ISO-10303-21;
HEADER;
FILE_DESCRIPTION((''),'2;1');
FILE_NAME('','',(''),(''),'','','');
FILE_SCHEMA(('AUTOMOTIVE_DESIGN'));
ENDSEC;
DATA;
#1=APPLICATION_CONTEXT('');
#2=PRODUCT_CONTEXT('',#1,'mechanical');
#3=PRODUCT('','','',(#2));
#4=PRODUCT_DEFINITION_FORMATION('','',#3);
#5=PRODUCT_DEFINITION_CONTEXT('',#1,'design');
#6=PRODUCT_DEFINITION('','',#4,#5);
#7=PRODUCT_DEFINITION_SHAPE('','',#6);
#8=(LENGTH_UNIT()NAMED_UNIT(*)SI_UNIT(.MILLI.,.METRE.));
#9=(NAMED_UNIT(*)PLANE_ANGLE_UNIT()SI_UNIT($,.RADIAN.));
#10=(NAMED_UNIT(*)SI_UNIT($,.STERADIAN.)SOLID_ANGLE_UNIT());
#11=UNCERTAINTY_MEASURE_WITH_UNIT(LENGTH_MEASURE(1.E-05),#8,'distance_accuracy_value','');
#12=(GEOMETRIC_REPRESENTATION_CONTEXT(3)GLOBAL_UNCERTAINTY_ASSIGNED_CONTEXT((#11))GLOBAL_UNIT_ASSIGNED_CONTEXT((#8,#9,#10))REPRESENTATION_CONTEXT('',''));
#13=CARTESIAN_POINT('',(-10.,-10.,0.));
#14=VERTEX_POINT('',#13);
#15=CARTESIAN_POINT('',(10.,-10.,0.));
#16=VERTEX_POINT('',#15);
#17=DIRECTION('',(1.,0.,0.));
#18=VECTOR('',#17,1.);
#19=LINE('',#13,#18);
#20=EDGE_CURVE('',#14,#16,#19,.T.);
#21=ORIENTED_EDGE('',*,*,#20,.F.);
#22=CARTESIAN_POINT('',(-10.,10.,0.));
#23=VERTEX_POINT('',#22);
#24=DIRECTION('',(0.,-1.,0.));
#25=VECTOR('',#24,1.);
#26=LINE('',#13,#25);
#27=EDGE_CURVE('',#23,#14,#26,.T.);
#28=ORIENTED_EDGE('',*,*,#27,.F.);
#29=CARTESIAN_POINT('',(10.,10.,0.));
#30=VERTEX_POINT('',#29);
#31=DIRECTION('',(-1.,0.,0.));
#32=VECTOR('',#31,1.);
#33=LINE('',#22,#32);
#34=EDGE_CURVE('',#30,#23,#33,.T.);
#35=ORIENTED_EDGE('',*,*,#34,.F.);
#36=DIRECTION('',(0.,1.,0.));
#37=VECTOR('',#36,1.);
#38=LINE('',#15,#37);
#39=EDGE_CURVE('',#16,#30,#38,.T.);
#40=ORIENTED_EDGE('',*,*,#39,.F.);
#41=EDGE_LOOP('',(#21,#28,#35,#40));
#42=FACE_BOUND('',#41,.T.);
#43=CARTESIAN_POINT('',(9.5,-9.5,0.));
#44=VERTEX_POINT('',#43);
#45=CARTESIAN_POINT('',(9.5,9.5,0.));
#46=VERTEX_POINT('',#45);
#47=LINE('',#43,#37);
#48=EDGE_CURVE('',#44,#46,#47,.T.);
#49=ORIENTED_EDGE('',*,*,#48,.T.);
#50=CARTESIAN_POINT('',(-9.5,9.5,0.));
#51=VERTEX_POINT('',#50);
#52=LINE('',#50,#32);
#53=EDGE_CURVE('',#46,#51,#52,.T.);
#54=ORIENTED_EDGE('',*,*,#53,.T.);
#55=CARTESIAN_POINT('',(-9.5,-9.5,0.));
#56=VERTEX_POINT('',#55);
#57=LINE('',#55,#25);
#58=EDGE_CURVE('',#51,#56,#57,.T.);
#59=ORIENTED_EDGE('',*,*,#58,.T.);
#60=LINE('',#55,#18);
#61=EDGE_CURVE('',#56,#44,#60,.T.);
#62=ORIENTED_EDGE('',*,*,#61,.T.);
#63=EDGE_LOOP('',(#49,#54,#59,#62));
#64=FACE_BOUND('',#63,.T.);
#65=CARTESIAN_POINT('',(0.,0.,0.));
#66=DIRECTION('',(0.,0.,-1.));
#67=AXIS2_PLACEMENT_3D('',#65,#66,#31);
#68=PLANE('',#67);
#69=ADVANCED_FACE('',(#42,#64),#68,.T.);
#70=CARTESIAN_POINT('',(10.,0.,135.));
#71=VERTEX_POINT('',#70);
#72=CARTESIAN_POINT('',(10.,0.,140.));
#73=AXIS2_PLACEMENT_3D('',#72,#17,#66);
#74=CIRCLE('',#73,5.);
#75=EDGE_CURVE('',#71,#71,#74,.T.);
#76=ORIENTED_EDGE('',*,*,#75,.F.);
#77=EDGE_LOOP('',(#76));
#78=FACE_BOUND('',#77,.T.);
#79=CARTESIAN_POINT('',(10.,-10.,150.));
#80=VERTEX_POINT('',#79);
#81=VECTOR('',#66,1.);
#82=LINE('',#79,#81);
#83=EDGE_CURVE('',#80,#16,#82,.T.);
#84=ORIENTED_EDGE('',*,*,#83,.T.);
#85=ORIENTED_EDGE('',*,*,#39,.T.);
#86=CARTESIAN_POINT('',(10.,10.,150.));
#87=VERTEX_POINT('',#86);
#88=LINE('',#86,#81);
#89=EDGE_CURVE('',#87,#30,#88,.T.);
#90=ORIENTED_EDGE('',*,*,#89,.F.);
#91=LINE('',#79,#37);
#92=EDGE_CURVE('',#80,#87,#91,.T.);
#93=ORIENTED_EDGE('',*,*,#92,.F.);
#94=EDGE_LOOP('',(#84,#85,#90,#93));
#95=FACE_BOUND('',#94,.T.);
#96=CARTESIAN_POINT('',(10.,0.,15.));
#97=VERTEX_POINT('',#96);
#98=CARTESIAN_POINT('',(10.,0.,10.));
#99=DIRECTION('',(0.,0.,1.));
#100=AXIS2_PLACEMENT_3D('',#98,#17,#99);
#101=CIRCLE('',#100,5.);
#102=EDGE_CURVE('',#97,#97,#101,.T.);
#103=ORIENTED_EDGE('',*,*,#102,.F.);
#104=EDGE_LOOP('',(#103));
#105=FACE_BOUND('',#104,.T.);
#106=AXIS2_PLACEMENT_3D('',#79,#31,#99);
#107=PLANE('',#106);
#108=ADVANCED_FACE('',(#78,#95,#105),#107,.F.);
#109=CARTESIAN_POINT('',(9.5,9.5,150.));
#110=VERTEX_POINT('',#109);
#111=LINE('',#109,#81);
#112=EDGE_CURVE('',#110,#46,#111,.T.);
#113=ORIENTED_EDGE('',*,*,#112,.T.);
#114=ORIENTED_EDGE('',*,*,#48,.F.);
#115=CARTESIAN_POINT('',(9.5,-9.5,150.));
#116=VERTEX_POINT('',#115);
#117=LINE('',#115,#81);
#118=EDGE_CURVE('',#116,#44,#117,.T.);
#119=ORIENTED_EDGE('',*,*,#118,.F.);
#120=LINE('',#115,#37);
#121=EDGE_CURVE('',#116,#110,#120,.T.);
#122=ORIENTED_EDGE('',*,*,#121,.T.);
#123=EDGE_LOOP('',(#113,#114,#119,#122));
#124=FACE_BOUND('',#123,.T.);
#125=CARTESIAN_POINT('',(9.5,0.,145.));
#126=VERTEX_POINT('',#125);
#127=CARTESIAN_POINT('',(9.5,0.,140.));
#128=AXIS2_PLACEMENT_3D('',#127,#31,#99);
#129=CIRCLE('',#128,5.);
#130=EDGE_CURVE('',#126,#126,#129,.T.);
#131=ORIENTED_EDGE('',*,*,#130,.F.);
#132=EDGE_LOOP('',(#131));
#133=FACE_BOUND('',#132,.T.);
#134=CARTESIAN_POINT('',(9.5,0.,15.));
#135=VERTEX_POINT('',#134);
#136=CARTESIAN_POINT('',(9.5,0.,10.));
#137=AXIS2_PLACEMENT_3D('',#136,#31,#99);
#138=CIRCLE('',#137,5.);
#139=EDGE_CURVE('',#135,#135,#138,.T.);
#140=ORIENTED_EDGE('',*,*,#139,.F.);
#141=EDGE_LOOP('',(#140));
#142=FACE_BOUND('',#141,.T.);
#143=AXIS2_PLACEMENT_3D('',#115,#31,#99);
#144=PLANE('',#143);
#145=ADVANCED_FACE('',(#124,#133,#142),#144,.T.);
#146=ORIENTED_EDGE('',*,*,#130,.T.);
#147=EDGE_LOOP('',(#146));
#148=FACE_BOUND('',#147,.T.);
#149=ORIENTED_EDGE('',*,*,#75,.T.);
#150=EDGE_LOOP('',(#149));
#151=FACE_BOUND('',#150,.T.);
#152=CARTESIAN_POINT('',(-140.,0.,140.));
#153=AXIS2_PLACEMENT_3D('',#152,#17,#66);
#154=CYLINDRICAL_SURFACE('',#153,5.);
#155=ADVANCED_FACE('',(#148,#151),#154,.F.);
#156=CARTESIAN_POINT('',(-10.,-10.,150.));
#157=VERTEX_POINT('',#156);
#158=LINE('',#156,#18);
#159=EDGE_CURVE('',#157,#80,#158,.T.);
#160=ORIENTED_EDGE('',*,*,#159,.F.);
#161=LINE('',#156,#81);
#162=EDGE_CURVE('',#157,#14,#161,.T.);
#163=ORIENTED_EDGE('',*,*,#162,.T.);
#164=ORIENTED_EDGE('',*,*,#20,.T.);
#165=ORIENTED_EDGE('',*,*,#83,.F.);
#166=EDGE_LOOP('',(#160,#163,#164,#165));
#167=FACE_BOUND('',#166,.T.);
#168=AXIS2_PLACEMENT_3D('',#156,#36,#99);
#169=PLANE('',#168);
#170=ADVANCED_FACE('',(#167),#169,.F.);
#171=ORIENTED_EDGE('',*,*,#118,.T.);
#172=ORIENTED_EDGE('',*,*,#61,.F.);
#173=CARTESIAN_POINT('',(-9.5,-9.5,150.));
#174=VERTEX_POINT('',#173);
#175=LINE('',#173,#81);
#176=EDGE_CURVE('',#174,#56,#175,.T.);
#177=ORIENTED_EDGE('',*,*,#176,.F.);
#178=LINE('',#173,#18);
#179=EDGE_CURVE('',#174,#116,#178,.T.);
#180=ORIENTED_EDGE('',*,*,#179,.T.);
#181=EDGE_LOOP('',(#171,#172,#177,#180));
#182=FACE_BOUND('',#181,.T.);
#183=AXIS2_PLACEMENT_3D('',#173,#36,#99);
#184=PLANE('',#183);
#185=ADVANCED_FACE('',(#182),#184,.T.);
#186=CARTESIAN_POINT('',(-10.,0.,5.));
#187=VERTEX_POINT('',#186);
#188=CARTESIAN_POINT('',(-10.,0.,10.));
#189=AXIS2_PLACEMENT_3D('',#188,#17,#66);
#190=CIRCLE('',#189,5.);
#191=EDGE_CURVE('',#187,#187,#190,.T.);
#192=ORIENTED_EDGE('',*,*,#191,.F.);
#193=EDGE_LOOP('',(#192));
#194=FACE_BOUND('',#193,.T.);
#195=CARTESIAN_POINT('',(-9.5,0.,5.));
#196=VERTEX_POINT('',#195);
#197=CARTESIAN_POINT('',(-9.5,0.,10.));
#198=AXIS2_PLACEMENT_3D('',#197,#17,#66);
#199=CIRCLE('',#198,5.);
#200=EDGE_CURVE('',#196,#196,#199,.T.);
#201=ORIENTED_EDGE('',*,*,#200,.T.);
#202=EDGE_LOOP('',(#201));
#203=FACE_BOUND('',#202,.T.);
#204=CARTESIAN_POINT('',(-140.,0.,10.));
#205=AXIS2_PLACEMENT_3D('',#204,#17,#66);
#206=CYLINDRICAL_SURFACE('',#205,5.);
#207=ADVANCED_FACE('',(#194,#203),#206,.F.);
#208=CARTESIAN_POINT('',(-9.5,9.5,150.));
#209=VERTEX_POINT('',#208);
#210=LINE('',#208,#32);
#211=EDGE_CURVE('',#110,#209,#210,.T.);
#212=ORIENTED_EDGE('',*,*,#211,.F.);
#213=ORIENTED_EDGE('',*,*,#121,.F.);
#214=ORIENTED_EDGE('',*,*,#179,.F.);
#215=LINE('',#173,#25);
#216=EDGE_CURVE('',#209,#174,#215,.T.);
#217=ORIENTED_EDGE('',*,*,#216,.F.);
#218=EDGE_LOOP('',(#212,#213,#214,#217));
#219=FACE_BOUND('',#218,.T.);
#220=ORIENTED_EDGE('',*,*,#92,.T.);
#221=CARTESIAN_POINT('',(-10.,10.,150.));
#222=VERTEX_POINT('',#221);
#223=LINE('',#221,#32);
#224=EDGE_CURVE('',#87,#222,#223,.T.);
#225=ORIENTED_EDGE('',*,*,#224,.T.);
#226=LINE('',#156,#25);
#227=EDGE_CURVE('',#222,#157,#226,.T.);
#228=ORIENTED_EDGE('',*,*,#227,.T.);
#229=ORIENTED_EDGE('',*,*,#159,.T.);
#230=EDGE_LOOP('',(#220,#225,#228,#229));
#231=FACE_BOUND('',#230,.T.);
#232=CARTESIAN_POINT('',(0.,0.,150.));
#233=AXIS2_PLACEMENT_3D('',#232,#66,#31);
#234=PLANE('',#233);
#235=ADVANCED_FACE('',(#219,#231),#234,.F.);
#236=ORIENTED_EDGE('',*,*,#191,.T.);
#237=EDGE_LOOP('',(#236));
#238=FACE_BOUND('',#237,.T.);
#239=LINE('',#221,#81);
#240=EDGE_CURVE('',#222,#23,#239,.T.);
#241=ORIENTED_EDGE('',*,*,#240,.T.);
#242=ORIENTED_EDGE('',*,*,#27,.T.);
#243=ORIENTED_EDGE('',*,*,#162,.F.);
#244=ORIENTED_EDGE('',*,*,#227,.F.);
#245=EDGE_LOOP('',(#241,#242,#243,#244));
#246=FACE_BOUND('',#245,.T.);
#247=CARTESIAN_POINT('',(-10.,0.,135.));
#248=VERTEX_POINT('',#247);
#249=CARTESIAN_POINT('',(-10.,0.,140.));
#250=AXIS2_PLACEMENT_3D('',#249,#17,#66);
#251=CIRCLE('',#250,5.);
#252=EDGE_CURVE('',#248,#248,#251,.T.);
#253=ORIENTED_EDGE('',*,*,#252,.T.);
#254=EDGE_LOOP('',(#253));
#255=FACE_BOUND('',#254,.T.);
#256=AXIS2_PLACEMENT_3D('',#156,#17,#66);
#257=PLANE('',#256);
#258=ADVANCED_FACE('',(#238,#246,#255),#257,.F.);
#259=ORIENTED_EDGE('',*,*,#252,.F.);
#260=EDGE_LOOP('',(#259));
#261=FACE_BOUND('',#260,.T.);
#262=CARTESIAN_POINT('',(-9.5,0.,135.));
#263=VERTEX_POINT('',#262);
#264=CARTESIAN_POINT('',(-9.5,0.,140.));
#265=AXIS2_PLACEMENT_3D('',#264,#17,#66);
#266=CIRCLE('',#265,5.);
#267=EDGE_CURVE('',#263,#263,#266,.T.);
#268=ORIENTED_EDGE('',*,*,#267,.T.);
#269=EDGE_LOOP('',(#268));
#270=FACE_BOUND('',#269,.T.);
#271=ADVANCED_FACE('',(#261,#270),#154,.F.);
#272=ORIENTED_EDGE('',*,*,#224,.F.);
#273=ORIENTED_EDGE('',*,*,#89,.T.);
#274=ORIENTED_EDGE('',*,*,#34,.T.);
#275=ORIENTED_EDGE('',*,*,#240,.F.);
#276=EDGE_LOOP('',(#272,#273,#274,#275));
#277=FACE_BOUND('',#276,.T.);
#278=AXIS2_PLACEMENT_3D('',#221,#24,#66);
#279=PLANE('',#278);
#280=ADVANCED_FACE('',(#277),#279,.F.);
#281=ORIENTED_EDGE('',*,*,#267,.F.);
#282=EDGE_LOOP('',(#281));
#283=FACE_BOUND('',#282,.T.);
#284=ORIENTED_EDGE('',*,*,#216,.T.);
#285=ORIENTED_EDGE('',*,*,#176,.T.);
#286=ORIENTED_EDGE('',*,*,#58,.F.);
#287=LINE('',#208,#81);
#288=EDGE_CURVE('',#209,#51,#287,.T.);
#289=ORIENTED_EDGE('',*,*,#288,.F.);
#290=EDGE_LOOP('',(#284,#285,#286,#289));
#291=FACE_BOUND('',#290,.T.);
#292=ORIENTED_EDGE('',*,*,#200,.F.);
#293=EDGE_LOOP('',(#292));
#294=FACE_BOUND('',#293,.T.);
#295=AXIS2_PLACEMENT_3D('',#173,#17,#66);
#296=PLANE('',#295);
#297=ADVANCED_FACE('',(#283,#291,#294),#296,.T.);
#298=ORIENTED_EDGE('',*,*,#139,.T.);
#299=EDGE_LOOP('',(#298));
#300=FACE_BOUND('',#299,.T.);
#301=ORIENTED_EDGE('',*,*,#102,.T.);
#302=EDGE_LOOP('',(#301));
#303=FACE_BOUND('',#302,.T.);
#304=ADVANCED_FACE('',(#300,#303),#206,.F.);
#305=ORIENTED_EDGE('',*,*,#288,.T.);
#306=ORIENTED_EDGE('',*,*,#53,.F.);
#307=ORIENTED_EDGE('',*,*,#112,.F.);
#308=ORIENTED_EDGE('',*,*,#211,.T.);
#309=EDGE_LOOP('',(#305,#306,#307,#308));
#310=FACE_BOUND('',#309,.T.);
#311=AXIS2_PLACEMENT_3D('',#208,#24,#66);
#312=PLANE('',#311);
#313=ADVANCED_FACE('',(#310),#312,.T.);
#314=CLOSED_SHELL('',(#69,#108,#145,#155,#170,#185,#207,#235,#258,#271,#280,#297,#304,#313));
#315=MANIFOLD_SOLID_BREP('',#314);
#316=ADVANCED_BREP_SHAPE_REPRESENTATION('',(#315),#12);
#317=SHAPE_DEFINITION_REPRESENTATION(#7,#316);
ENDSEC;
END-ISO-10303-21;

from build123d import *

# Parameters (mm, degrees)
SKETCH1_W           = 20
SKETCH1_H           = 20
SKETCH1_W_2         = 19
SKETCH1_H_2         = 19
BOSS_EXTRUDE1_DEPTH = 150
SKETCH2_R           = 5
CUT_EXTRUDE1_DEPTH  = 150


with BuildPart() as part:
    # Sketch1 → Boss-Extrude1 (new body)
    with BuildSketch(Plane.XY):
        Rectangle(SKETCH1_W, SKETCH1_H)
        Rectangle(SKETCH1_W_2, SKETCH1_H_2, mode=Mode.SUBTRACT)
    extrude(amount=BOSS_EXTRUDE1_DEPTH)

    # Sketch2 → Cut-Extrude1 (cut)
    with BuildSketch(Plane(origin=(10, 0, 0), x_dir=(0, 0, -1), z_dir=(1, 0, 0))):
        with Locations((-140, 0)):
            Circle(SKETCH2_R)
        with Locations((-10, 0)):
            Circle(SKETCH2_R)
    extrude(amount=-CUT_EXTRUDE1_DEPTH, mode=Mode.SUBTRACT)


solid = part.part
